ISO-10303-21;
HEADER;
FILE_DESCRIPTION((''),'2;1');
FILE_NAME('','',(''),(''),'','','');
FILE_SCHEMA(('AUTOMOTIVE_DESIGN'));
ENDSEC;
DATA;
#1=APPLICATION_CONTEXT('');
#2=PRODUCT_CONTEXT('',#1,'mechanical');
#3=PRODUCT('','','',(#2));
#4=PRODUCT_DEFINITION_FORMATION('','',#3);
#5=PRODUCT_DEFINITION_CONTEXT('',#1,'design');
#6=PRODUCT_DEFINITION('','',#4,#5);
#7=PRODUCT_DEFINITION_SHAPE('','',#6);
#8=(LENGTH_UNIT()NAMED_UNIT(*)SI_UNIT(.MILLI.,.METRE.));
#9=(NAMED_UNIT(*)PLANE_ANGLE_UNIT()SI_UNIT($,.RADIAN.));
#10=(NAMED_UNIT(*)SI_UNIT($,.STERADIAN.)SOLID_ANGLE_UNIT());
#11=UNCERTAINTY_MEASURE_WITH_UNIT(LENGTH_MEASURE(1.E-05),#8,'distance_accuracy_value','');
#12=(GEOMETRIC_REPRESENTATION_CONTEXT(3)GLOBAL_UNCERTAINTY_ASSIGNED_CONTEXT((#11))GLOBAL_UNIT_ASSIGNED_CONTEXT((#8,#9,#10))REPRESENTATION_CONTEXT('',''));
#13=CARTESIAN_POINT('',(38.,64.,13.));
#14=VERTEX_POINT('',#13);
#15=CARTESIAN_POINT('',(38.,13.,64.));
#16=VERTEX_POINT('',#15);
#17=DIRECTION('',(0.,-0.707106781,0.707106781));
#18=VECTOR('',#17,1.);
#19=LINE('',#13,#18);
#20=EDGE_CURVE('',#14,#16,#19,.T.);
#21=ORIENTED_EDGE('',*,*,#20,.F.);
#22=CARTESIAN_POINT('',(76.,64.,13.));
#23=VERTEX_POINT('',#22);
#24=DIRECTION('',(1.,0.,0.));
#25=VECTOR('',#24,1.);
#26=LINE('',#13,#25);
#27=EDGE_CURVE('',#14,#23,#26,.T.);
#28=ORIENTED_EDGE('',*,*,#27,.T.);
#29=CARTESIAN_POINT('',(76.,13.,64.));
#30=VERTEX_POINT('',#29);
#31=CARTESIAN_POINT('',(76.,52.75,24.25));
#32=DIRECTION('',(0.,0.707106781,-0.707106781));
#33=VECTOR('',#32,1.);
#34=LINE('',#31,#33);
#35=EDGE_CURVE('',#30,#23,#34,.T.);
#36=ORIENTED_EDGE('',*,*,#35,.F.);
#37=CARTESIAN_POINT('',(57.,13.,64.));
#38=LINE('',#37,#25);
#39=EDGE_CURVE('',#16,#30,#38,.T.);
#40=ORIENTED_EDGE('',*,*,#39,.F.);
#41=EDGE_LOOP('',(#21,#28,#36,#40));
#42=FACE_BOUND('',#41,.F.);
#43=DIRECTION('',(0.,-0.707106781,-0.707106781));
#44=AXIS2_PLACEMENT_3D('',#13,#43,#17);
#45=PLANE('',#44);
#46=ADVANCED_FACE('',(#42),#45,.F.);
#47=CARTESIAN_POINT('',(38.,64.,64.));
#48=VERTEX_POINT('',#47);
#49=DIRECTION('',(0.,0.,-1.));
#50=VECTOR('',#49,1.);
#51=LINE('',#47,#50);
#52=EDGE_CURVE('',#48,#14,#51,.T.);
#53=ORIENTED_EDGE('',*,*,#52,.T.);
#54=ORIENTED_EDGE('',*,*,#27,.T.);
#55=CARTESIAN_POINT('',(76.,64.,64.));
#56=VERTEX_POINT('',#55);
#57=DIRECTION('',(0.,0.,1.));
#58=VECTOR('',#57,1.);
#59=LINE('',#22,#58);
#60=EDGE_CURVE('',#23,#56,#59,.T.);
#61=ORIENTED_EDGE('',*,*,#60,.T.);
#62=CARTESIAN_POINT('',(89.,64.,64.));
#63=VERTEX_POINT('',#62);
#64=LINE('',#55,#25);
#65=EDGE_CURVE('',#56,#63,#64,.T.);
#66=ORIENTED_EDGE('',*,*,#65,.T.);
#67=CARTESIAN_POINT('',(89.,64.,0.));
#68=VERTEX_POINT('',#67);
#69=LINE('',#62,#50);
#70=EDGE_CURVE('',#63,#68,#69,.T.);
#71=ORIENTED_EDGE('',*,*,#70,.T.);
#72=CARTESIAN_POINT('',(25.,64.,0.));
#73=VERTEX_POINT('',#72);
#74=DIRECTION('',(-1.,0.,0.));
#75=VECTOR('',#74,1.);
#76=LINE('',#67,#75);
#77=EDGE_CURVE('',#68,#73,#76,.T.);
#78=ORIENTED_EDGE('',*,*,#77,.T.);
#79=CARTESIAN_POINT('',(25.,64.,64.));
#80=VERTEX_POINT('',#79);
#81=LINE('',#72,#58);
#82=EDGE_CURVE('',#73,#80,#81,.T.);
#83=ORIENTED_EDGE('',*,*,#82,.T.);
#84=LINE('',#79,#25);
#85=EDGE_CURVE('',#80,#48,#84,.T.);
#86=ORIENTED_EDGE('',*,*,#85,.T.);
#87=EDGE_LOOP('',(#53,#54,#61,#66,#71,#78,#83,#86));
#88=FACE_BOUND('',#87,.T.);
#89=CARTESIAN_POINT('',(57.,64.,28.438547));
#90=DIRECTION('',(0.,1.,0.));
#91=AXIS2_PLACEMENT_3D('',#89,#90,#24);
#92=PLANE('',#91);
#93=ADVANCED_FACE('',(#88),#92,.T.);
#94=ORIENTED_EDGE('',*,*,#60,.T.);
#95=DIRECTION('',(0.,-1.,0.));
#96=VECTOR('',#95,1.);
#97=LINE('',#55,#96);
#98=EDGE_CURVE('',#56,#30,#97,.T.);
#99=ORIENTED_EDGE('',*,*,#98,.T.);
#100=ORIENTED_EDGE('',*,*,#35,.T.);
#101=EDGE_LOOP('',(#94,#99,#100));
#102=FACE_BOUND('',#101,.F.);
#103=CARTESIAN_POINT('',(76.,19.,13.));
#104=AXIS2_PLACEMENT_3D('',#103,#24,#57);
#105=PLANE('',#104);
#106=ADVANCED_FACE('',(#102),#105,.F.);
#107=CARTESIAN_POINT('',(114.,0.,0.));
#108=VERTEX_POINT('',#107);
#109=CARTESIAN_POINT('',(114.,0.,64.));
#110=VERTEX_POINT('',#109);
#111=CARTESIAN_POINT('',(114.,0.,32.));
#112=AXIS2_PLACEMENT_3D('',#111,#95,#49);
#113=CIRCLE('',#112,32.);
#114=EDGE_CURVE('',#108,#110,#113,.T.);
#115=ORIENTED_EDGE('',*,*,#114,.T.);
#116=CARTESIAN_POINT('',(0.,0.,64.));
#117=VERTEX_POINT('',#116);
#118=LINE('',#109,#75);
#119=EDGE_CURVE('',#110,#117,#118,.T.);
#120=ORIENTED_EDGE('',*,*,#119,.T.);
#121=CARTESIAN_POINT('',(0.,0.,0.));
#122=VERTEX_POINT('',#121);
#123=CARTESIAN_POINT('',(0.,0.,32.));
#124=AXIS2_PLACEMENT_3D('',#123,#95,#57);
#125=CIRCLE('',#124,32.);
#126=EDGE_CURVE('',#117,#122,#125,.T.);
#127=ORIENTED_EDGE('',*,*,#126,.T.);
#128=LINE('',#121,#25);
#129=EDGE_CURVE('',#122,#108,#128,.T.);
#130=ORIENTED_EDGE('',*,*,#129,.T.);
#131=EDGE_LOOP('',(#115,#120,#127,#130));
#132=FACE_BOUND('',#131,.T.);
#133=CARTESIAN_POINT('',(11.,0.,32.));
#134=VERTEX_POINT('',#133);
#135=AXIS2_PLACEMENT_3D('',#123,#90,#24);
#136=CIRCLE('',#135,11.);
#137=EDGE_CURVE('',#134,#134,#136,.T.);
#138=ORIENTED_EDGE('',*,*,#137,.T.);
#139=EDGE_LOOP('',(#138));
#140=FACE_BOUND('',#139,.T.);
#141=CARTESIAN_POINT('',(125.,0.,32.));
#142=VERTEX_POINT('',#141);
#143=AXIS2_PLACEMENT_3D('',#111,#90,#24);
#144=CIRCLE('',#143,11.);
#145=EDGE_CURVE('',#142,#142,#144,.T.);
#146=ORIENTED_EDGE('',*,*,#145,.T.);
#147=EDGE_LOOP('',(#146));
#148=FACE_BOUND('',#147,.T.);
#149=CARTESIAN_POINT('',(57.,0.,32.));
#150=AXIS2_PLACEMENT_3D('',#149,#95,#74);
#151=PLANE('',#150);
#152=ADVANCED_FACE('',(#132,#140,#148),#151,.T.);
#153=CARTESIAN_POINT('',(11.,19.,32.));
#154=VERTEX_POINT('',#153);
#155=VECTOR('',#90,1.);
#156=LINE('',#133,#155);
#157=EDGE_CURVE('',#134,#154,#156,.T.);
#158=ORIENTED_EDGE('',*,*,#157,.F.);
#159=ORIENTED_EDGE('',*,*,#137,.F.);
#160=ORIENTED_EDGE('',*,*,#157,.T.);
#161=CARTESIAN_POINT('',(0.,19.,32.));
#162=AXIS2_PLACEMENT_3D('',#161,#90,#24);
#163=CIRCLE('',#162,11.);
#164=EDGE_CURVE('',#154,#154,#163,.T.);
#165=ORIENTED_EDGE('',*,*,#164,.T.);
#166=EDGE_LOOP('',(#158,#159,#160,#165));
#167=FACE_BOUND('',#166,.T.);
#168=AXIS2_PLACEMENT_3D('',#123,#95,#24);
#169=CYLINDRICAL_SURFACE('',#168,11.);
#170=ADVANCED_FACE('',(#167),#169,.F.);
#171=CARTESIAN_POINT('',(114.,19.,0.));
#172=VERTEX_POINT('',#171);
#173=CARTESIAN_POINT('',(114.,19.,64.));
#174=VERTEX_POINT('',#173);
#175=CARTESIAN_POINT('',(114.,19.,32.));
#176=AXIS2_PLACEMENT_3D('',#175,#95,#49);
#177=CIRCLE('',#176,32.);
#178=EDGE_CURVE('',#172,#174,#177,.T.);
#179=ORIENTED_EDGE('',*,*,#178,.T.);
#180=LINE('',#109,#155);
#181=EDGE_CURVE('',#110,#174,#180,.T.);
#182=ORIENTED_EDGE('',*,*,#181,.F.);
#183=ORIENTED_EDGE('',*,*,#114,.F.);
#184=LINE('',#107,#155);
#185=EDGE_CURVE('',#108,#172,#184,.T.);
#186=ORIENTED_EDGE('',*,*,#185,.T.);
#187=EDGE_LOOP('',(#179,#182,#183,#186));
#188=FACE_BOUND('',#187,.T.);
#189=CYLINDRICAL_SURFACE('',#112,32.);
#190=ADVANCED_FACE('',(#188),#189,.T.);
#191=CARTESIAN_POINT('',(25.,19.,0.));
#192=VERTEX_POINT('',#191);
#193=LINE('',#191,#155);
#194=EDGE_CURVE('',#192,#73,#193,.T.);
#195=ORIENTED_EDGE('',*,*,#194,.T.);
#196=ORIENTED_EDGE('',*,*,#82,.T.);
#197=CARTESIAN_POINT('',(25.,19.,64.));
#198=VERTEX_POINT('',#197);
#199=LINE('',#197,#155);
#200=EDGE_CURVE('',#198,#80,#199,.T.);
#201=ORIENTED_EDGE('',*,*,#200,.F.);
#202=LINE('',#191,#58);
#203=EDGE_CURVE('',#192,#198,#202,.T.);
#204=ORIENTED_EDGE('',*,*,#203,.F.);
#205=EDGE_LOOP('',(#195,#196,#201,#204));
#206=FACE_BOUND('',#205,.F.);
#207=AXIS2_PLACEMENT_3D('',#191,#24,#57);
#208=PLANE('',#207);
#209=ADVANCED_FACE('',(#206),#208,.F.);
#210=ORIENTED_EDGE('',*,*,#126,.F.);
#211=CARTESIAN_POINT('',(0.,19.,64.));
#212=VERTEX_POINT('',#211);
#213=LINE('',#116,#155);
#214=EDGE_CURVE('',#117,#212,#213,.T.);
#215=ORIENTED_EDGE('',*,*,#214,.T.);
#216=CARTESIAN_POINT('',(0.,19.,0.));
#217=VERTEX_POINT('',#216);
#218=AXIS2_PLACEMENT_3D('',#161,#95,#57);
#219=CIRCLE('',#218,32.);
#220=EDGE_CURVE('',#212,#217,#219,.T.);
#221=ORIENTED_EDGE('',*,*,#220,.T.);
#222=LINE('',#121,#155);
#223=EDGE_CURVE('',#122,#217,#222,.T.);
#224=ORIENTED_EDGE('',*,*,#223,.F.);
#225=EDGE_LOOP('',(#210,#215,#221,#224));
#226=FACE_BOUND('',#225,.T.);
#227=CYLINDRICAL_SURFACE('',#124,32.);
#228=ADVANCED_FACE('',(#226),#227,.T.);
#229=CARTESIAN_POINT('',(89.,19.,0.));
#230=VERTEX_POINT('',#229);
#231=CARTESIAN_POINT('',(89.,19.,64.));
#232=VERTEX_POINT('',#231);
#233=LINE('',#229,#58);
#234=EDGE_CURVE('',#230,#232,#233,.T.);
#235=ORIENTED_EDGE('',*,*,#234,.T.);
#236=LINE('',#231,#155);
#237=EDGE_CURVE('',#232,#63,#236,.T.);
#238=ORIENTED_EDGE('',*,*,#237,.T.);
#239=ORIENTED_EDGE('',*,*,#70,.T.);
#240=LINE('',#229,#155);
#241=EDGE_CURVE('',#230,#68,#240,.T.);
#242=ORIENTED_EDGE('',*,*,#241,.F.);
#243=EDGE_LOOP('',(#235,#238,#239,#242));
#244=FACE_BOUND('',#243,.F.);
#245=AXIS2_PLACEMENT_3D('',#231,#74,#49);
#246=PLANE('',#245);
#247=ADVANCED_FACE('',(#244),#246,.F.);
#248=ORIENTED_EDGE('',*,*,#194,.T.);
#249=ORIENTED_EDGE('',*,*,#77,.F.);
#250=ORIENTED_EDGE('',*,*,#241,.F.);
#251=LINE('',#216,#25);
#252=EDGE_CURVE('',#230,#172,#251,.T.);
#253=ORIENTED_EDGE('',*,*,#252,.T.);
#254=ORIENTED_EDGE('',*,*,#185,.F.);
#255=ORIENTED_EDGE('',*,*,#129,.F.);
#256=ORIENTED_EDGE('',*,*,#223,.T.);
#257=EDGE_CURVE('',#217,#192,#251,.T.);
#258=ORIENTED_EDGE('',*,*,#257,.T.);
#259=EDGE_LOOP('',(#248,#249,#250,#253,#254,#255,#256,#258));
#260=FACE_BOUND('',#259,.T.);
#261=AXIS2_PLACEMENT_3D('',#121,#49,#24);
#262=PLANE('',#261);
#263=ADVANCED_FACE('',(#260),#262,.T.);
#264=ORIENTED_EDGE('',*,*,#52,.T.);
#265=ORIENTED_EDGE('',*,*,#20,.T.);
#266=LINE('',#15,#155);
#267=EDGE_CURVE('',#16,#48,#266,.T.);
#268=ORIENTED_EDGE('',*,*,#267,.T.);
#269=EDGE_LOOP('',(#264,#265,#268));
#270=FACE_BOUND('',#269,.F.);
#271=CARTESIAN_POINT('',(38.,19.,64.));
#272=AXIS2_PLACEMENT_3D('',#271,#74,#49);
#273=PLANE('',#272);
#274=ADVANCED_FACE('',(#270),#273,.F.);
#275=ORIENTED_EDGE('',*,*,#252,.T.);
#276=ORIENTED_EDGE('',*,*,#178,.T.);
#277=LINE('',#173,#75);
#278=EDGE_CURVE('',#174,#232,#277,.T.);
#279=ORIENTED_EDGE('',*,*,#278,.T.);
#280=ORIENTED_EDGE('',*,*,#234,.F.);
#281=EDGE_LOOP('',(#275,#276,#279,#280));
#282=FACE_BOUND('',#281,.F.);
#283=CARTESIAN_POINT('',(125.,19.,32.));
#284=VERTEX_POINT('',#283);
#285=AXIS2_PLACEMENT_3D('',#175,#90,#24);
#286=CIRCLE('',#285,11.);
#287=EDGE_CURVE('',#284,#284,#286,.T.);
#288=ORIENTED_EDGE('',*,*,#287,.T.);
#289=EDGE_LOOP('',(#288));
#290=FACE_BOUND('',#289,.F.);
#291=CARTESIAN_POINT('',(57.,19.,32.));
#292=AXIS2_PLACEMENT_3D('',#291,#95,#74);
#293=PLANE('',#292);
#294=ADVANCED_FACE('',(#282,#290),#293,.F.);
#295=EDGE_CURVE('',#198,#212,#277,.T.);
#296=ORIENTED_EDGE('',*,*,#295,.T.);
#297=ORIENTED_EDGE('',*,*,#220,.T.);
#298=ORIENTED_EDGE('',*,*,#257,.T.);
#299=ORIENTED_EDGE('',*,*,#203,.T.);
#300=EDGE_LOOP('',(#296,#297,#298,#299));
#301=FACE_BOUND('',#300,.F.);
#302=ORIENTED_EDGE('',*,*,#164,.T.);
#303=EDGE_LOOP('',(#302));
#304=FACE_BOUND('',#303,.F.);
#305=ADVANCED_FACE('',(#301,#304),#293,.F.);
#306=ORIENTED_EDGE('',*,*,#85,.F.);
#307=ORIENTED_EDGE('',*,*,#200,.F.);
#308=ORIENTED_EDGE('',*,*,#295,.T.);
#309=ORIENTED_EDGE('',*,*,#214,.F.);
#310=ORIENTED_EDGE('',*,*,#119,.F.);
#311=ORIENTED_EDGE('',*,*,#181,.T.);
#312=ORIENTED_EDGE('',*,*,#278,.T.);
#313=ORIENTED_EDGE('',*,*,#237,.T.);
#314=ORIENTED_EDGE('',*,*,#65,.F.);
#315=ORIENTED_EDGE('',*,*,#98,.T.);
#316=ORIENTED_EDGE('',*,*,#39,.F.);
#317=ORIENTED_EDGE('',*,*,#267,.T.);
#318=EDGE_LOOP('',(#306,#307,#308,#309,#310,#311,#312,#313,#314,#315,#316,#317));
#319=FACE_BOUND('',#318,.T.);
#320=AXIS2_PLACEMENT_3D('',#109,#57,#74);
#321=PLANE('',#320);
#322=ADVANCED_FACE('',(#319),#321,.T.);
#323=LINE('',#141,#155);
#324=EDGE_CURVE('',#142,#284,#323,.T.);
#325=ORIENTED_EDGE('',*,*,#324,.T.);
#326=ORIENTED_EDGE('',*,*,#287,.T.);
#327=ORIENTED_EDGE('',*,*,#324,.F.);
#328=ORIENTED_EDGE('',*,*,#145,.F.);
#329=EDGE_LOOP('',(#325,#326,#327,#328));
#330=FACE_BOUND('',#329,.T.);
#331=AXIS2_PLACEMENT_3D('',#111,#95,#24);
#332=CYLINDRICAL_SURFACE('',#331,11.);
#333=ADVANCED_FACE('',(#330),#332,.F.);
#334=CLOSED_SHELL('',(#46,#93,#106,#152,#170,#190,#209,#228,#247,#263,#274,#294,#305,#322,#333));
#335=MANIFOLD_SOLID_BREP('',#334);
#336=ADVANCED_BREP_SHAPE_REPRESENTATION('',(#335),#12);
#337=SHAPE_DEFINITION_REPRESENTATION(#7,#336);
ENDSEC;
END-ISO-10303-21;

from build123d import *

# Parameters (mm, degrees)
SKETCH1_R           = 11
BOSS_EXTRUDE1_DEPTH = 19
BOSS_EXTRUDE2_DEPTH = 45
SKETCH7_W           = 38
SKETCH7_H           = 6
CUT_EXTRUDE8_DEPTH  = 51
BOSS_EXTRUDE3_DEPTH = 51


with BuildPart() as part:
    # Sketch1 → Boss-Extrude1 (new body)
    with BuildSketch(Plane(origin=(0, 0, 0), x_dir=(1, 0, 0), z_dir=(0, 1, 0))):
        with BuildLine():
            Line((0, 0), (114, 0))
            ThreePointArc((114, 0), (146, -32), (114, -64))
            Line((114, -64), (0, -64))
            ThreePointArc((0, -64), (-32, -32), (0, 0))
        make_face()
        with Locations((0, -32)):
            Circle(SKETCH1_R, mode=Mode.SUBTRACT)
        with Locations((114, -32)):
            Circle(SKETCH1_R, mode=Mode.SUBTRACT)
    extrude(amount=BOSS_EXTRUDE1_DEPTH)

    # Sketch3 → Boss-Extrude2 (add)
    with BuildSketch(Plane(origin=(0, 19, 0), x_dir=(1, 0, 0), z_dir=(0, 1, 0))):
        Polygon((25, 0), (25, -64), (38, -64), (38, -13), (76, -13), (76, -64), (89, -64), (89, 0), align=None)
    extrude(amount=BOSS_EXTRUDE2_DEPTH)

    # Sketch7 → Cut-Extrude8 (cut)
    with BuildSketch(Plane.XY.offset(64)):
        with Locations((57, 16)):
            Rectangle(SKETCH7_W, SKETCH7_H)
    extrude(amount=-CUT_EXTRUDE8_DEPTH, mode=Mode.SUBTRACT)

    # Sketch8 → Boss-Extrude3 (add)
    with BuildSketch(Plane(origin=(38, 0, 0), x_dir=(0, 0, -1), z_dir=(1, 0, 0))):
        Polygon((-13, 64), (-64, 13), (-13, 13), align=None)
    extrude(amount=BOSS_EXTRUDE3_DEPTH)


solid = part.part
